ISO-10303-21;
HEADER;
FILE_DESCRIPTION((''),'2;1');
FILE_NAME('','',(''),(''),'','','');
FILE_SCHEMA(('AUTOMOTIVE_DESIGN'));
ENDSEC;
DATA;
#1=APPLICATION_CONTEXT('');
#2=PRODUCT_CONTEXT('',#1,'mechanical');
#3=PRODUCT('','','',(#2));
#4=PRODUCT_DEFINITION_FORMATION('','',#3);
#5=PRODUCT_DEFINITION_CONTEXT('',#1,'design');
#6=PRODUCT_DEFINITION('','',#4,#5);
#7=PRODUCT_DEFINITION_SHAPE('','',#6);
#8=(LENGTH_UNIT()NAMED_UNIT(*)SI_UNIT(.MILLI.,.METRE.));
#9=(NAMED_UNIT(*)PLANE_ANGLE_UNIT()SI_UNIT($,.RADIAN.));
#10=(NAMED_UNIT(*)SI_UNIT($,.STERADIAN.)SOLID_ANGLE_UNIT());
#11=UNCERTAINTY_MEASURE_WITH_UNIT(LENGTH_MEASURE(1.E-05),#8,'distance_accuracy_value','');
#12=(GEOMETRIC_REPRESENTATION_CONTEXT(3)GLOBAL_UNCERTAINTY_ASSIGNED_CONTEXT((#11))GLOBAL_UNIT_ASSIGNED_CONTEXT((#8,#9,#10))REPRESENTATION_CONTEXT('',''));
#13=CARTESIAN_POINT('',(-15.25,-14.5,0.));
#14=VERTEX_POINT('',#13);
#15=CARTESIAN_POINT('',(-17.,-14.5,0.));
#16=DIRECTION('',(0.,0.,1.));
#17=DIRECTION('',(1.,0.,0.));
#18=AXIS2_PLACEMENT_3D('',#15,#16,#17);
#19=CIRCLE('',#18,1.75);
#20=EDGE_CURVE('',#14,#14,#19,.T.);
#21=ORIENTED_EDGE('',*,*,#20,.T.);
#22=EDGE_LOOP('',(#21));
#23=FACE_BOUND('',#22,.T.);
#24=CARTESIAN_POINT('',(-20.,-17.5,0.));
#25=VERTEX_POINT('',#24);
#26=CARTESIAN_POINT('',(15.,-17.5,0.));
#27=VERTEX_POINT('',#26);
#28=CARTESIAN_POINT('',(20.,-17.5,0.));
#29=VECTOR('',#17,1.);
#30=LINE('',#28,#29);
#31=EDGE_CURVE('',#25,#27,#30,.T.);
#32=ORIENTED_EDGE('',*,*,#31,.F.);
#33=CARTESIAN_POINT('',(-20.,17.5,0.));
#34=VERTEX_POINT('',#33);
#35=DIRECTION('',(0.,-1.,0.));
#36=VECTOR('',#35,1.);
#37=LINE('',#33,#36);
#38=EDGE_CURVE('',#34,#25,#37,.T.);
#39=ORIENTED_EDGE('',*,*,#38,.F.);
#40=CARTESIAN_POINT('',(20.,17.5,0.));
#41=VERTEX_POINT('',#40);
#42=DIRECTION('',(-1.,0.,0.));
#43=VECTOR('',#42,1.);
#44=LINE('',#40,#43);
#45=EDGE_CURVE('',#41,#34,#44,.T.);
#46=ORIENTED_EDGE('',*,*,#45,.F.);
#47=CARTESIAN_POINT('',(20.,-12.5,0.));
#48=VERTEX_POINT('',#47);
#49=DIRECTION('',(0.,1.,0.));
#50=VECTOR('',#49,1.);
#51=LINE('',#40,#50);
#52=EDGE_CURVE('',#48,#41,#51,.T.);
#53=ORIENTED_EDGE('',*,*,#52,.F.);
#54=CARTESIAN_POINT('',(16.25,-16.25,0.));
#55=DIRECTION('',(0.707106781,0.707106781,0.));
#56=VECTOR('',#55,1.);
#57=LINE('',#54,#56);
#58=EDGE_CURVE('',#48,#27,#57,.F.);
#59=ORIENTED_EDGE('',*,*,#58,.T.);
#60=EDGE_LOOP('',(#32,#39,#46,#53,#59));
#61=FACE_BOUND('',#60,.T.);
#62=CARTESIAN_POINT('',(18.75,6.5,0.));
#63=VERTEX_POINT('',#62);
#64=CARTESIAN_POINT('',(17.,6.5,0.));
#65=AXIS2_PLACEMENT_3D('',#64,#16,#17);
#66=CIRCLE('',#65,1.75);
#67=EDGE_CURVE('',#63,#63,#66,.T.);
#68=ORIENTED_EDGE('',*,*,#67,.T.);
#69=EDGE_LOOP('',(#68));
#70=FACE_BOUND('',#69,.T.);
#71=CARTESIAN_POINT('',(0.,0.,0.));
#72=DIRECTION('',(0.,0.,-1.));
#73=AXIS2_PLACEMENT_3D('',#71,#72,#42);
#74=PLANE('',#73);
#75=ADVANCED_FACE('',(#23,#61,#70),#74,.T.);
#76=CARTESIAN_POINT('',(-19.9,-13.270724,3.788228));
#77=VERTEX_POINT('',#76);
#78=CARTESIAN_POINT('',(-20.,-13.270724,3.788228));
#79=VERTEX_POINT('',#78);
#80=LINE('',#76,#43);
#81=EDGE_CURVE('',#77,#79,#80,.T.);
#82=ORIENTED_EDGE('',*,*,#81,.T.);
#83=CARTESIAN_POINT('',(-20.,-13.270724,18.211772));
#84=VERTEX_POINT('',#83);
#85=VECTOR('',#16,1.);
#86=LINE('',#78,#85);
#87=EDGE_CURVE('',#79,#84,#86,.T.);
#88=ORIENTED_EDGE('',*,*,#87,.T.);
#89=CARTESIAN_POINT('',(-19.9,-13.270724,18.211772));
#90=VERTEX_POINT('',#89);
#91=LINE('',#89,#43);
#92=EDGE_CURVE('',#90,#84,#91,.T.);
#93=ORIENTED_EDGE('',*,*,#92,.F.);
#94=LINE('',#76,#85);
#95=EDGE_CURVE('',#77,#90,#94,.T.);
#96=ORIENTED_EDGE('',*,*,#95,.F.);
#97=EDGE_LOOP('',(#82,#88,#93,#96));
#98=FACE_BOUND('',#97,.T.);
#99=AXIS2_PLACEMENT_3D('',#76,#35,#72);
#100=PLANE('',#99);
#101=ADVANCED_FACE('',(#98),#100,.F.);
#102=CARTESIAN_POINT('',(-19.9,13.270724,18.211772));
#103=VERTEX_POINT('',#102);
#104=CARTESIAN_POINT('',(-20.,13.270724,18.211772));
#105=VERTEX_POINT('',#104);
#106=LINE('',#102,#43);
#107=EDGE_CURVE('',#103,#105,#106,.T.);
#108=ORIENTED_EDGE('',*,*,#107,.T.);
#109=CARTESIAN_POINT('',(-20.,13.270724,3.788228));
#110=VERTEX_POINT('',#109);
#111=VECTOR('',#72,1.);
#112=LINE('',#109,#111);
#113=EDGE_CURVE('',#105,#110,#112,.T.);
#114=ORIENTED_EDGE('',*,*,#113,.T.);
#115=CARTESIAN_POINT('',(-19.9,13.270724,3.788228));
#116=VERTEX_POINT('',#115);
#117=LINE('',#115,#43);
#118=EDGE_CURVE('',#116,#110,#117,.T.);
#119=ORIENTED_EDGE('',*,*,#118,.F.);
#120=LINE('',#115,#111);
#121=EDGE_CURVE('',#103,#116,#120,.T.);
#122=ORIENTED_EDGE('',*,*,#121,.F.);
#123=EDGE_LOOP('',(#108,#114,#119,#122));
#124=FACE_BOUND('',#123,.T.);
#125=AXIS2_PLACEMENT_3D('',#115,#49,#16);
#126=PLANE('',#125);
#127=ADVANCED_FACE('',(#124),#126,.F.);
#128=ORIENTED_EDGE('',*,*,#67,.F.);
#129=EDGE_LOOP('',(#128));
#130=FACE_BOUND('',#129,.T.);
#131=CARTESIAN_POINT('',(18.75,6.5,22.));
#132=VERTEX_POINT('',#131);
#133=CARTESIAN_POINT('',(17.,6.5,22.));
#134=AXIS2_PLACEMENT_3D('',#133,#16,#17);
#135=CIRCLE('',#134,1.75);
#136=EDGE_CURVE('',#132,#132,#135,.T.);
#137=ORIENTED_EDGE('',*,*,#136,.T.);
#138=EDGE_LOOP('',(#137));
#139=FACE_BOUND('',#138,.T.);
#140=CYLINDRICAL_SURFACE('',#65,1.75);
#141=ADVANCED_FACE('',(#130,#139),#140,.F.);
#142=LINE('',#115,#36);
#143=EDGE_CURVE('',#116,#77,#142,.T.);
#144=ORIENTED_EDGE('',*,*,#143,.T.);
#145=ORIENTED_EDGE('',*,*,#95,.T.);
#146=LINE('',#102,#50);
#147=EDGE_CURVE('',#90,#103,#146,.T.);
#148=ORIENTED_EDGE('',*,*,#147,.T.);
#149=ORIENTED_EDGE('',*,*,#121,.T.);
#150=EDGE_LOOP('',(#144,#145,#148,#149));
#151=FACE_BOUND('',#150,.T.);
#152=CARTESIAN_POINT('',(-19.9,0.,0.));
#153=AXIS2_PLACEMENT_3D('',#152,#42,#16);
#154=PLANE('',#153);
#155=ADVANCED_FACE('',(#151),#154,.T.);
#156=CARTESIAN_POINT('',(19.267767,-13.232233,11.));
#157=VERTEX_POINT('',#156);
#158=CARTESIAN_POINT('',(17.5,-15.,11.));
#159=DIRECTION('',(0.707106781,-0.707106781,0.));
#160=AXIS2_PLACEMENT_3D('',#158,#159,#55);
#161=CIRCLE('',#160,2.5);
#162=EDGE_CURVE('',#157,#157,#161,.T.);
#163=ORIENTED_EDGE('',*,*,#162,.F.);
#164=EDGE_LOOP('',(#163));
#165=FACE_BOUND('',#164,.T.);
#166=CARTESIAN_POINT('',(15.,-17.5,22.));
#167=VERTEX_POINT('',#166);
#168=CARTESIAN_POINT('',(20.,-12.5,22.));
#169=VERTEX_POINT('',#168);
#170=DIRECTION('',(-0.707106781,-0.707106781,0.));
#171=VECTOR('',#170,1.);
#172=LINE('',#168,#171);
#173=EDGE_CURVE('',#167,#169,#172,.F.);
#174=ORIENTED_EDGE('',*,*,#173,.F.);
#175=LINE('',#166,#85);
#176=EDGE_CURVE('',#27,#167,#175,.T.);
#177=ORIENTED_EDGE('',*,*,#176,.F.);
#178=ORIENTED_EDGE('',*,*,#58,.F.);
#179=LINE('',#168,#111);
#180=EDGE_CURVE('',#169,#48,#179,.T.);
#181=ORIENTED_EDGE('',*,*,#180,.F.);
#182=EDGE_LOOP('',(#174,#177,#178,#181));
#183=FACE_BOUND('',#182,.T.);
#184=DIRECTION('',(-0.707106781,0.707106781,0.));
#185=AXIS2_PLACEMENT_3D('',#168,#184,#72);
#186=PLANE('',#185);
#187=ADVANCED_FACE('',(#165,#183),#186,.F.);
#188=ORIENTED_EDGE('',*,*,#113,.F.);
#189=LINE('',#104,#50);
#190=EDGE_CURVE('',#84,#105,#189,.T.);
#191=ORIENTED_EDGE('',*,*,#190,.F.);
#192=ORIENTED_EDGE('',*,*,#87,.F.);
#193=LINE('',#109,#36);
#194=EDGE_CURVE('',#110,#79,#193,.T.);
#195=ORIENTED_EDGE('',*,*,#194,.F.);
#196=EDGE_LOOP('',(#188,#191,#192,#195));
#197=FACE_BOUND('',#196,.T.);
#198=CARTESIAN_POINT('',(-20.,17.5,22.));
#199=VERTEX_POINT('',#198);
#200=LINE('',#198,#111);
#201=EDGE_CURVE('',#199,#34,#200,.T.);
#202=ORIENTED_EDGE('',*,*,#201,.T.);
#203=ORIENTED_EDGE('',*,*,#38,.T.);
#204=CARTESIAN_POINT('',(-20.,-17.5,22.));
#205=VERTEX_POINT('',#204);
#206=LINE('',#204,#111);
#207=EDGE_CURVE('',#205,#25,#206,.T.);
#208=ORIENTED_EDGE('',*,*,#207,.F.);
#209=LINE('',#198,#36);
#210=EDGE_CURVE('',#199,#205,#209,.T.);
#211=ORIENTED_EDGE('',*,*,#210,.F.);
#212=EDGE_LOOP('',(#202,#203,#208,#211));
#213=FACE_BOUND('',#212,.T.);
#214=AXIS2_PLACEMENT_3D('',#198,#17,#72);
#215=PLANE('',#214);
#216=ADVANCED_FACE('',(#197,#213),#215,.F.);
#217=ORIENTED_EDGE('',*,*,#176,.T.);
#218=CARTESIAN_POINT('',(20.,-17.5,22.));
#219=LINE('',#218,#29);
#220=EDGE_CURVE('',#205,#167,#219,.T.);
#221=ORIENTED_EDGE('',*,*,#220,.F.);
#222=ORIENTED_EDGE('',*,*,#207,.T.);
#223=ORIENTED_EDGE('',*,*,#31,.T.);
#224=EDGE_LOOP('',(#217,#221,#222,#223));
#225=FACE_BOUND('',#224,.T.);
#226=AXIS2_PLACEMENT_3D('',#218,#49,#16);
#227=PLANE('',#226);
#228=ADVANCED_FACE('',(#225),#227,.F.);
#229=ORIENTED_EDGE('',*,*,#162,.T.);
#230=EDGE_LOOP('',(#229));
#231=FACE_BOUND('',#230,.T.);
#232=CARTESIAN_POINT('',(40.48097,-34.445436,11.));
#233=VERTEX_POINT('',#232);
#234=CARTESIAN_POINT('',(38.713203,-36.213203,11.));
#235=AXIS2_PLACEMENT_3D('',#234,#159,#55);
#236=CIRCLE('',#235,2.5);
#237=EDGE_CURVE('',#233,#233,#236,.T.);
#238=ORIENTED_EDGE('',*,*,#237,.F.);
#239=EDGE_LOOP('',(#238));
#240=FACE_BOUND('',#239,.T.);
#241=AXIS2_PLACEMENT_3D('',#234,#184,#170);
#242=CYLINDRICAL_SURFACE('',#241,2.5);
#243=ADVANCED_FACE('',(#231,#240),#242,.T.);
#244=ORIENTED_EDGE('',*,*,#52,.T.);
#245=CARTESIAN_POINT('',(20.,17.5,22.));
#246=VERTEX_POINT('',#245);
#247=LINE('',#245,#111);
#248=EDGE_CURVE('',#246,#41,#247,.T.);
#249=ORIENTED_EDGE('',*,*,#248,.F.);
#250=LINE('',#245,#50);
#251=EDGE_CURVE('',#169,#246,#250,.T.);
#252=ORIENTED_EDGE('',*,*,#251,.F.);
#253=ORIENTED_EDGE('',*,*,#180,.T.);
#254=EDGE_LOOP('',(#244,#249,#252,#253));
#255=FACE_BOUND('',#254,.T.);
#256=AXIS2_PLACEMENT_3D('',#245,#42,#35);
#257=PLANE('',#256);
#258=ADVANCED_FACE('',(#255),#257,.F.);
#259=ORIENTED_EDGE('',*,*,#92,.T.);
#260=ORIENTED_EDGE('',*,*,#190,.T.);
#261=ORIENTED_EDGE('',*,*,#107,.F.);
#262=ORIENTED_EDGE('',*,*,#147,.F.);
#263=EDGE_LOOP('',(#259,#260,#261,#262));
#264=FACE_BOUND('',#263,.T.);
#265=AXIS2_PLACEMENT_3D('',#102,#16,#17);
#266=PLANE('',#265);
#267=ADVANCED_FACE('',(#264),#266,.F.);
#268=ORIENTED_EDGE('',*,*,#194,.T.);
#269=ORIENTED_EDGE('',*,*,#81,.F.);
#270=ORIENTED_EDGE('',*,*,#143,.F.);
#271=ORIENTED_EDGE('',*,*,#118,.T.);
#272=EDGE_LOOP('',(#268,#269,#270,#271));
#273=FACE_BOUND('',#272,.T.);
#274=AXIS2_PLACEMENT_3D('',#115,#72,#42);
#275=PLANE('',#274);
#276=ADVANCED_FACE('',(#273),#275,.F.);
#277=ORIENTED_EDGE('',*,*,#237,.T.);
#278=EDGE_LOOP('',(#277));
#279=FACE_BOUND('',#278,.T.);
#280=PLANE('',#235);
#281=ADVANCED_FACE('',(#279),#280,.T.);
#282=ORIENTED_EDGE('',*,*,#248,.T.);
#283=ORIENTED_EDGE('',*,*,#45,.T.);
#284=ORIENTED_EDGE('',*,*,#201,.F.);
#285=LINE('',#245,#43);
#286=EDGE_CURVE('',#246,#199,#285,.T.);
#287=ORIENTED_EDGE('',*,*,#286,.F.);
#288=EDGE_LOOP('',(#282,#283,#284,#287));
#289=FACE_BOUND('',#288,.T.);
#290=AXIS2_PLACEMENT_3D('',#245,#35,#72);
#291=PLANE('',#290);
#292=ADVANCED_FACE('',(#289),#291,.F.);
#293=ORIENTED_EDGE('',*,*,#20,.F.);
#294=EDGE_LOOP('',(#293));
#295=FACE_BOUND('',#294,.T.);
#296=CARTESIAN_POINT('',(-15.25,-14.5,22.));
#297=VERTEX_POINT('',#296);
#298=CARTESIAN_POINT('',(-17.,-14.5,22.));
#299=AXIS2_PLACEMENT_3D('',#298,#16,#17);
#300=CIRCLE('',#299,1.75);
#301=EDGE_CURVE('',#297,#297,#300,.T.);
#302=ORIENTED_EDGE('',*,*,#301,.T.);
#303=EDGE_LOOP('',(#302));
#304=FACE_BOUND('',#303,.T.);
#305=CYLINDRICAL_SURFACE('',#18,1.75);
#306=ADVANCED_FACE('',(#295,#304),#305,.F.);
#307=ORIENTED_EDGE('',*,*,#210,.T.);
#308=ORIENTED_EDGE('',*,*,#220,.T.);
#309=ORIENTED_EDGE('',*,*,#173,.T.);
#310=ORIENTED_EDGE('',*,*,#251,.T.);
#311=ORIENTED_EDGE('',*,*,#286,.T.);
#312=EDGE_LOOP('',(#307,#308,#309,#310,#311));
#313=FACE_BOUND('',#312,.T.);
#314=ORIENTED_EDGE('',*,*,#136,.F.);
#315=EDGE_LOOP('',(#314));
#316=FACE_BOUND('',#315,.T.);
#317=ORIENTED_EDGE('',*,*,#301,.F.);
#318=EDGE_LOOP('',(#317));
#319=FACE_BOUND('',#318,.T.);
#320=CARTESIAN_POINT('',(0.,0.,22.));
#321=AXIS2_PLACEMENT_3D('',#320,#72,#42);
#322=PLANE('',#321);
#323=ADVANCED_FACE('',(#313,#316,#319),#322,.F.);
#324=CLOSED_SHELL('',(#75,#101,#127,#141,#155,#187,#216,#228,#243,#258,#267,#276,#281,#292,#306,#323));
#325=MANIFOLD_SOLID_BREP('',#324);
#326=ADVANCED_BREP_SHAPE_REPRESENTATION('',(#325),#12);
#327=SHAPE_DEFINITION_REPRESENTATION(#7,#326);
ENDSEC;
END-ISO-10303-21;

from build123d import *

# Parameters (mm, degrees)
SKETCH_1_W          = 40
SKETCH_1_H          = 35
EXTRUDE_1_DEPTH     = 22
SKETCH_2_R          = 1.75
CUT_EXTRUDE_1_DEPTH = 35.5
CHAMFER_1_SIZE      = 5
SKETCH_3_R          = 2.5
EXTRUDE_2_DEPTH     = 30
SKETCH_4_W          = 14.42354322
SKETCH_4_H          = 26.54144869
CUT_EXTRUDE_2_DEPTH = 0.1


with BuildPart() as part:
    # 草图1 → 凸台-拉伸1 (new body)
    with BuildSketch(Plane.XY):
        Rectangle(SKETCH_1_W, SKETCH_1_H)
    extrude(amount=EXTRUDE_1_DEPTH)

    # 草图2 → 切除-拉伸1 (cut, through all)
    with BuildSketch(Plane.XY.offset(22)):
        with Locations((17, 6.5)):
            Circle(SKETCH_2_R)
        with Locations((-17, -14.5)):
            Circle(SKETCH_2_R)
    extrude(amount=-CUT_EXTRUDE_1_DEPTH, mode=Mode.SUBTRACT)

    # 倒角1
    chamfer_1_edges = [part.edges().sort_by_distance(p)[0] for p in [
        (20, -17.5, 11),
    ]]
    chamfer(chamfer_1_edges, length=CHAMFER_1_SIZE)

    # 草图3 → 凸台-拉伸2 (add)
    with BuildSketch(Plane(origin=(16.25, -16.25, 0), x_dir=(0, 0, -1), z_dir=(0.7071067811865467, -0.7071067811865485, 0))):
        with Locations(Location((-11, 1.767766953, 0), (0, 0, 90))):
            Circle(SKETCH_3_R)
    extrude(amount=EXTRUDE_2_DEPTH)

    # 草图4 → 切除-拉伸2 (cut)
    with BuildSketch(Plane.ZY.offset(20)):
        with Locations((11, 0)):
            Rectangle(SKETCH_4_W, SKETCH_4_H)
    extrude(amount=-CUT_EXTRUDE_2_DEPTH, mode=Mode.SUBTRACT)


solid = part.part
